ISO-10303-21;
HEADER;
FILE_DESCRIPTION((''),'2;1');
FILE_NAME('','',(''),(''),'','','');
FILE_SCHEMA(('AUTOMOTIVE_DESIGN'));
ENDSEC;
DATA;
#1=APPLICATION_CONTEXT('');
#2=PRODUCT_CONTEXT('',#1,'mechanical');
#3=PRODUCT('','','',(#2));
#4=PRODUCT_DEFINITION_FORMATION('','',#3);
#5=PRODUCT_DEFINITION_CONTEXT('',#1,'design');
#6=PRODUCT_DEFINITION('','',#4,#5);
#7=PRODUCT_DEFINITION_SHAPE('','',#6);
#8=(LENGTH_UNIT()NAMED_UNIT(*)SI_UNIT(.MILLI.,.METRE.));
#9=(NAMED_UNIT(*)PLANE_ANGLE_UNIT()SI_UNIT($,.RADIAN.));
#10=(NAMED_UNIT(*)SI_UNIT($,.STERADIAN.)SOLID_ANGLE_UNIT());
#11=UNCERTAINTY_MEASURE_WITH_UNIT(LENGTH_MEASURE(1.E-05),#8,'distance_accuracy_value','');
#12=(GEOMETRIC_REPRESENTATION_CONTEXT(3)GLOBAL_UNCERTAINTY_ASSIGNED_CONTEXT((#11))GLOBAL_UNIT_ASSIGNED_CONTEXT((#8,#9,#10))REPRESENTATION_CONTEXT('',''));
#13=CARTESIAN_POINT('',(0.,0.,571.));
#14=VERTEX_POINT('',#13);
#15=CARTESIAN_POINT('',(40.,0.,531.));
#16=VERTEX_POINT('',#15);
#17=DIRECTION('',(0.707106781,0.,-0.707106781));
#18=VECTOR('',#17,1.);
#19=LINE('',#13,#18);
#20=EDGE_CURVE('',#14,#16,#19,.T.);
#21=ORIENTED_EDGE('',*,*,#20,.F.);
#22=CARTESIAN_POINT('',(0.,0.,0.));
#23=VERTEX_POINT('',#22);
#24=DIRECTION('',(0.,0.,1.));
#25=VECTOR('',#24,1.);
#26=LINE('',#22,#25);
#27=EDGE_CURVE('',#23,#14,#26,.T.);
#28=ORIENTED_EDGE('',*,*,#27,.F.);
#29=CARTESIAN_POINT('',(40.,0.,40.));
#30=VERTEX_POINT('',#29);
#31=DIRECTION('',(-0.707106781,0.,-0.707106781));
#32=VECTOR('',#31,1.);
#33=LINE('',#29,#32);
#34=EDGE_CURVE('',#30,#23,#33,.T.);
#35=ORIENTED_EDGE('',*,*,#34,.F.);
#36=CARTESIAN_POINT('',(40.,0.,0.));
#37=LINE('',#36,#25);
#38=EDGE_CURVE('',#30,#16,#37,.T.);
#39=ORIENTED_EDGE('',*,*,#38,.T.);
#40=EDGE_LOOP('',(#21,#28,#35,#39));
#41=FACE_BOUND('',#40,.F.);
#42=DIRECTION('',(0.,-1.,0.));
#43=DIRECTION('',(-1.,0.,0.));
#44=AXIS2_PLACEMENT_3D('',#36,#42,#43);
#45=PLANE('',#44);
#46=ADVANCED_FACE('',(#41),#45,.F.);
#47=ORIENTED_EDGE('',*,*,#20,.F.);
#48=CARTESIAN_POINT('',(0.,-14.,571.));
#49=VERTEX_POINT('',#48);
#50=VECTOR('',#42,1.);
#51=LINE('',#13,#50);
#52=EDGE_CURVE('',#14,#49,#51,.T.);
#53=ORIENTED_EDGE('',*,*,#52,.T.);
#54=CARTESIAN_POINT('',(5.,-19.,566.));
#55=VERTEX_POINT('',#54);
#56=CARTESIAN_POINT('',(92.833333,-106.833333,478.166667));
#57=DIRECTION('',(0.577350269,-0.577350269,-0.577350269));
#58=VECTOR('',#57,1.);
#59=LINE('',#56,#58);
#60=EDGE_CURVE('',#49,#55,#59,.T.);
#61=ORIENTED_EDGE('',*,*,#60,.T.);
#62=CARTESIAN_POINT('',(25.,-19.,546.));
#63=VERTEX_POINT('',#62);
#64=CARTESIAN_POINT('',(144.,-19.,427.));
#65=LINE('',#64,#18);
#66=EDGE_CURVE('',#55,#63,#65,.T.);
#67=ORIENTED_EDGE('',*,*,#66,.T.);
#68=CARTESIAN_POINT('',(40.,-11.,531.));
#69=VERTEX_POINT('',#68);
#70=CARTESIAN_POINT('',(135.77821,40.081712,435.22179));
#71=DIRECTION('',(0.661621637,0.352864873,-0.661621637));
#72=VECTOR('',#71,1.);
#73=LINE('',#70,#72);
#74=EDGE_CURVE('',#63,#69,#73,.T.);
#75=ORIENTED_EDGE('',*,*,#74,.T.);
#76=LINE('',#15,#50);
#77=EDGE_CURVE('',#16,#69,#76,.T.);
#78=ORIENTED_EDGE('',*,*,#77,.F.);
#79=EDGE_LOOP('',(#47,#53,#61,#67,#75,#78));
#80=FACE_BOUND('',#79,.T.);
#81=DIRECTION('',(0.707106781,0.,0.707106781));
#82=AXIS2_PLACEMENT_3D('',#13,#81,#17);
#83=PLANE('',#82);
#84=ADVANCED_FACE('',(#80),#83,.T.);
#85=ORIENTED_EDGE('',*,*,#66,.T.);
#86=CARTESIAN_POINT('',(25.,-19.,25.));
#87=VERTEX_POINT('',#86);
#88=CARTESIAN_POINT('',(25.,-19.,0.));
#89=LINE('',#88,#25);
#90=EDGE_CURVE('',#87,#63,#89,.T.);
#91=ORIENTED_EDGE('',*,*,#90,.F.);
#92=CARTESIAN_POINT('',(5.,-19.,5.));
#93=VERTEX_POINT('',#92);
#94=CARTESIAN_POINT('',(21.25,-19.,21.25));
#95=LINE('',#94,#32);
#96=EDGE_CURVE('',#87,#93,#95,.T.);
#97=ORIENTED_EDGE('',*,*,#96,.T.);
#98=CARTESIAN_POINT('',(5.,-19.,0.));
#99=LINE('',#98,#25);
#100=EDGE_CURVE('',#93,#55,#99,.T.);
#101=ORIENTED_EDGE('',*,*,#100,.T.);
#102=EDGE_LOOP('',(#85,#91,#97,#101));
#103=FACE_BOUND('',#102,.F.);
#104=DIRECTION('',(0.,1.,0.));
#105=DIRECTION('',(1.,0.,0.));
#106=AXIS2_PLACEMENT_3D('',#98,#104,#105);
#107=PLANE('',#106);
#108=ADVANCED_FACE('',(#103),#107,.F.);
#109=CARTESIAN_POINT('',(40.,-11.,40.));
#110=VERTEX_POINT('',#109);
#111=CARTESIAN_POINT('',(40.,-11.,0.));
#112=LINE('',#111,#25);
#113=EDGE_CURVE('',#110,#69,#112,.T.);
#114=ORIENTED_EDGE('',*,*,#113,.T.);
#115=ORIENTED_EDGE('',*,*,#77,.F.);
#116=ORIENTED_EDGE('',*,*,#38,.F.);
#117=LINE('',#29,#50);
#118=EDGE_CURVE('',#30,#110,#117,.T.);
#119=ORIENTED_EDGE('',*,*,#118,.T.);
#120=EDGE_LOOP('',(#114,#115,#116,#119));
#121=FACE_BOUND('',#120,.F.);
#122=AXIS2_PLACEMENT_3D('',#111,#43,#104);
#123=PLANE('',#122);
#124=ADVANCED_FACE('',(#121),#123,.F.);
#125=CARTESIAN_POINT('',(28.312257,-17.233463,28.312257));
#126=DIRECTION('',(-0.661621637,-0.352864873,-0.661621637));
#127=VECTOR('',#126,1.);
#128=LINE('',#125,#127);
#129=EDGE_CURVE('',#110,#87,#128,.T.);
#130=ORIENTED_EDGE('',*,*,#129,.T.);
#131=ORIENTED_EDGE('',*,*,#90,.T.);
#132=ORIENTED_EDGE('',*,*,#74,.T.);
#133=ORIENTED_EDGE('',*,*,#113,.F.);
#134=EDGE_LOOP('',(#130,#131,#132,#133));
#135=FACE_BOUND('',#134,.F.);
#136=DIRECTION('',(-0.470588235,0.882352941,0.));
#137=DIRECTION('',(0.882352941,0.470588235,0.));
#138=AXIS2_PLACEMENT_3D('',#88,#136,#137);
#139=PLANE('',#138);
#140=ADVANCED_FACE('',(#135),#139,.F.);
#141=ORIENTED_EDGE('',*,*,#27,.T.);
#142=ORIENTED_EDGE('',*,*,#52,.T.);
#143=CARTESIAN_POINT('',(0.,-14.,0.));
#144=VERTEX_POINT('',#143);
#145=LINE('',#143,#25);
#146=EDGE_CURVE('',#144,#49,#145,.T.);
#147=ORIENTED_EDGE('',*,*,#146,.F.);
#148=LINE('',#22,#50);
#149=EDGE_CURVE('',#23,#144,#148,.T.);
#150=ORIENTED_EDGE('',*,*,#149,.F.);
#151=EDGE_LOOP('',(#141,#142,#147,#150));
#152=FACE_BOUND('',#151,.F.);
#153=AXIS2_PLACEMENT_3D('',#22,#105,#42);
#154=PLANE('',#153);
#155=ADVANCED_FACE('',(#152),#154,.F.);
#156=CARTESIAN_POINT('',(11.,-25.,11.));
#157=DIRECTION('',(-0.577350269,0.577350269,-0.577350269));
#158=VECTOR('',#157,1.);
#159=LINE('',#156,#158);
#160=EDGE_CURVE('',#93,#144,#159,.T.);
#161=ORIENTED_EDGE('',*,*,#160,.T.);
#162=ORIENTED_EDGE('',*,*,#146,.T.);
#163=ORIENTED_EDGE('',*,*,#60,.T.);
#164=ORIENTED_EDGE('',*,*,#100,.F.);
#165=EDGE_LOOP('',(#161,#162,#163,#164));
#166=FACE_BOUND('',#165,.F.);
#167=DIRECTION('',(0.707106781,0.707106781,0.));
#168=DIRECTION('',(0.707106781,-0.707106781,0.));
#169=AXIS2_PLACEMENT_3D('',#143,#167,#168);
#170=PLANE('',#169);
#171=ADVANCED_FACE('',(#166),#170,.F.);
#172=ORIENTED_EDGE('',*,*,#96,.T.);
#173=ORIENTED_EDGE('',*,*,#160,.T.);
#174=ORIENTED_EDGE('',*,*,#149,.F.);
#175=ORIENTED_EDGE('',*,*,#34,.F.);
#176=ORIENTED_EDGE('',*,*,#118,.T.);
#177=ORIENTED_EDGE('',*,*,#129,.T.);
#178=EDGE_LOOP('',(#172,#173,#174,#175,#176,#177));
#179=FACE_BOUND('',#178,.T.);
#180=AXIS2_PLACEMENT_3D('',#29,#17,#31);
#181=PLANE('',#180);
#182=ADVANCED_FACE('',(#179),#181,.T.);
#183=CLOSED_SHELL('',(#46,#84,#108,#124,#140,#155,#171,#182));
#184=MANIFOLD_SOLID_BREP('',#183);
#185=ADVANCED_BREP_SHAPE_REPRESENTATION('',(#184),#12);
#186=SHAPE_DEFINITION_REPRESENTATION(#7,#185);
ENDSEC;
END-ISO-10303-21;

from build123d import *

# Parameters (mm, degrees)
F1_DEPTH = 571
F3_DEPTH = 25


with BuildPart() as f1:
    # F0 (on Top) → F1 (new body)
    with BuildSketch(Plane.XY):
        Polygon((40, 0), (0, 0), (0, -14), (5, -19), (25, -19), (40, -11), align=None)
    extrude(amount=F1_DEPTH)

    # F2 (on Front) → F3 (cut)
    with BuildSketch(Plane.XZ):
        Polygon((40, 40), (0, 0), (40, 0), align=None)
        Polygon((0, 571), (40, 531), (40, 571), align=None)
    extrude(amount=F3_DEPTH, mode=Mode.SUBTRACT)


solid = f1.part
